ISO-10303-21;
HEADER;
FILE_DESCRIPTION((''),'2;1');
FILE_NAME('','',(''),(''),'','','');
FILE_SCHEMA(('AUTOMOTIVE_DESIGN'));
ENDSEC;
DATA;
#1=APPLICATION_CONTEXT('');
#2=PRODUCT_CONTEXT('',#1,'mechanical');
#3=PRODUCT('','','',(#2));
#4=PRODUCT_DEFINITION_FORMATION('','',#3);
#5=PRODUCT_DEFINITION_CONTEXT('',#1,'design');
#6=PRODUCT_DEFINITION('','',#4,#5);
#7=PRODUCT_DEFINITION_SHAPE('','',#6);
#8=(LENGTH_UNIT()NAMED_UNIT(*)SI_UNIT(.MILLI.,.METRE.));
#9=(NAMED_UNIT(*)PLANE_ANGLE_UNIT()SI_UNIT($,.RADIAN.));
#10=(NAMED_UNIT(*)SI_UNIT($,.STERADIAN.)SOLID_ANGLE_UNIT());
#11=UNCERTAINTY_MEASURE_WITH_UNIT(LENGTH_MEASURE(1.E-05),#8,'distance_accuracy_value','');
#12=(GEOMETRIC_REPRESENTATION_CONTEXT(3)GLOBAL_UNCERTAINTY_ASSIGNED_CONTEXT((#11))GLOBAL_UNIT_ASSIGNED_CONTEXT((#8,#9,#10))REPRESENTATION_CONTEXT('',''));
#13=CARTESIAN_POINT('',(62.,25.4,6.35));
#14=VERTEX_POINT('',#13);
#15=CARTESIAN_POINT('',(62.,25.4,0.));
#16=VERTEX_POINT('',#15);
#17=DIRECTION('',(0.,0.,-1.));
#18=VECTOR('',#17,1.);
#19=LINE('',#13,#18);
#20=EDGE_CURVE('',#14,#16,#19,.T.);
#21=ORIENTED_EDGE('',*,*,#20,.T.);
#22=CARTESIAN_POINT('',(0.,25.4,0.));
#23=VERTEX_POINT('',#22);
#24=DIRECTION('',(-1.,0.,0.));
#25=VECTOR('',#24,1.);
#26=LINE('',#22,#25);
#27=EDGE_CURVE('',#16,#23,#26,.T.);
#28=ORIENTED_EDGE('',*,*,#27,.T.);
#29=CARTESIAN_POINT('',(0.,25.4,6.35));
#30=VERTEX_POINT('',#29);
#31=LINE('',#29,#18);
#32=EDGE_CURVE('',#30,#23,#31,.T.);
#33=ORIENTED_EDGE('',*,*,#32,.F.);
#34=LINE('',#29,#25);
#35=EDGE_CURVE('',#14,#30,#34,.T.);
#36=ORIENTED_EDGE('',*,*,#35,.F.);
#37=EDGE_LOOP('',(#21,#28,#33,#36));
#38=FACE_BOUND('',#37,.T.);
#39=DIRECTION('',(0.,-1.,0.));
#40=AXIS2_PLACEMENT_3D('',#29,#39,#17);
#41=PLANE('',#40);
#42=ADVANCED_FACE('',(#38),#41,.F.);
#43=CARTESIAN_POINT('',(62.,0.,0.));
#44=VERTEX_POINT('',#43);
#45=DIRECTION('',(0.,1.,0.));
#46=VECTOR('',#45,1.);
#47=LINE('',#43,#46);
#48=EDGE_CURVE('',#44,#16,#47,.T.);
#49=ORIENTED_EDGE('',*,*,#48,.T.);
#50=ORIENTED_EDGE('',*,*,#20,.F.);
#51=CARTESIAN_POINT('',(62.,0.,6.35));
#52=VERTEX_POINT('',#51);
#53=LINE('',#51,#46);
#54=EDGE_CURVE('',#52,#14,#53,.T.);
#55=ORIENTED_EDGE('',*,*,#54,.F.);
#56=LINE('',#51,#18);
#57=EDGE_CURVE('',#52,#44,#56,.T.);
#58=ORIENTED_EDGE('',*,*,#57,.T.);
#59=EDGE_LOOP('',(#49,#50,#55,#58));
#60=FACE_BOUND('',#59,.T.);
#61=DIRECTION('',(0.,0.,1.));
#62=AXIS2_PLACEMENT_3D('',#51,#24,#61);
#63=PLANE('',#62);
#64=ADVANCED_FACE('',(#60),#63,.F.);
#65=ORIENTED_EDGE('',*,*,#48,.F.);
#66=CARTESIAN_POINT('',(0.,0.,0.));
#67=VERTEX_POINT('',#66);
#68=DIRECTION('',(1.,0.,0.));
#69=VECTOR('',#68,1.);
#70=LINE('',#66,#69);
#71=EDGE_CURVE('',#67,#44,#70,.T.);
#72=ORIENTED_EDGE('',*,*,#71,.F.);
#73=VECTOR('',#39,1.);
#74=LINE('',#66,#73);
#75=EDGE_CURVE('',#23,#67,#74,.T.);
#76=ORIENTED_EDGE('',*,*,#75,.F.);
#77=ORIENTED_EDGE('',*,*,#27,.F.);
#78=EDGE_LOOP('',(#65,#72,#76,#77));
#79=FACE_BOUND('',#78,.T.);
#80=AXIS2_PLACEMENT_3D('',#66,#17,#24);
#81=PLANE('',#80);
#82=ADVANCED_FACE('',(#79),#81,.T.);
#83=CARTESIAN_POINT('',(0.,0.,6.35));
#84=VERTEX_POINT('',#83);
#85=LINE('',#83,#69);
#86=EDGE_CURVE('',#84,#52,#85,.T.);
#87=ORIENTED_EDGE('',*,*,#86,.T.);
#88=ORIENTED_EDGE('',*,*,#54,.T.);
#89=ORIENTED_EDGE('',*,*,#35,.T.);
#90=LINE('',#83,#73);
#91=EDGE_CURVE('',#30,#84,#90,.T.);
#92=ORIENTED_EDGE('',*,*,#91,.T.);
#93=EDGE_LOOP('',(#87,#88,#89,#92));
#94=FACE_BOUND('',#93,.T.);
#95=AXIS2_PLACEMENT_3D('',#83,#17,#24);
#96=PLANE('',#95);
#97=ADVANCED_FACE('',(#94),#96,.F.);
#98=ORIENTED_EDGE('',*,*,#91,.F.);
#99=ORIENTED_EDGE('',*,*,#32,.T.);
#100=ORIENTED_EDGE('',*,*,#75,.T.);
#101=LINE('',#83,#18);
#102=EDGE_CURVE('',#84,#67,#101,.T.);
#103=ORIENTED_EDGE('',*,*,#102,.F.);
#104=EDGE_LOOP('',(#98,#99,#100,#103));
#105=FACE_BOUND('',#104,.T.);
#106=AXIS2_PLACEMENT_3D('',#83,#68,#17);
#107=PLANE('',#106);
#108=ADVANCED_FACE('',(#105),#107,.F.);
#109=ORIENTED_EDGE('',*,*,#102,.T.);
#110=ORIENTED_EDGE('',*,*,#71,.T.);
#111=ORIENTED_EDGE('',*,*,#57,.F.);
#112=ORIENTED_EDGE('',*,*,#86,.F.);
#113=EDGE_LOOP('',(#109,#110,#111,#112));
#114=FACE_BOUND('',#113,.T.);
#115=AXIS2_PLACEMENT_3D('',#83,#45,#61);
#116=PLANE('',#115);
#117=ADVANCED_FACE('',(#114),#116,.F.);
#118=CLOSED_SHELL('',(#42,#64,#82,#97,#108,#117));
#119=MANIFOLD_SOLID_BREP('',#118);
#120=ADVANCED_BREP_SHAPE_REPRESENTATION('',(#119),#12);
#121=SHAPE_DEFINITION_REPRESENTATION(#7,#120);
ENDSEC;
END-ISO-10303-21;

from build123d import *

# Parameters (mm, degrees)
ESBO_O1_W                = 62
ESBO_O1_H                = 25.4
RESSALTO_EXTRUS_O1_DEPTH = 6.35


with BuildPart() as part:
    # Esboço1 → Ressalto-extrusão1 (new body)
    with BuildSketch(Plane.XY):
        with Locations((31, 12.7)):
            Rectangle(ESBO_O1_W, ESBO_O1_H)
    extrude(amount=RESSALTO_EXTRUS_O1_DEPTH)


solid = part.part
